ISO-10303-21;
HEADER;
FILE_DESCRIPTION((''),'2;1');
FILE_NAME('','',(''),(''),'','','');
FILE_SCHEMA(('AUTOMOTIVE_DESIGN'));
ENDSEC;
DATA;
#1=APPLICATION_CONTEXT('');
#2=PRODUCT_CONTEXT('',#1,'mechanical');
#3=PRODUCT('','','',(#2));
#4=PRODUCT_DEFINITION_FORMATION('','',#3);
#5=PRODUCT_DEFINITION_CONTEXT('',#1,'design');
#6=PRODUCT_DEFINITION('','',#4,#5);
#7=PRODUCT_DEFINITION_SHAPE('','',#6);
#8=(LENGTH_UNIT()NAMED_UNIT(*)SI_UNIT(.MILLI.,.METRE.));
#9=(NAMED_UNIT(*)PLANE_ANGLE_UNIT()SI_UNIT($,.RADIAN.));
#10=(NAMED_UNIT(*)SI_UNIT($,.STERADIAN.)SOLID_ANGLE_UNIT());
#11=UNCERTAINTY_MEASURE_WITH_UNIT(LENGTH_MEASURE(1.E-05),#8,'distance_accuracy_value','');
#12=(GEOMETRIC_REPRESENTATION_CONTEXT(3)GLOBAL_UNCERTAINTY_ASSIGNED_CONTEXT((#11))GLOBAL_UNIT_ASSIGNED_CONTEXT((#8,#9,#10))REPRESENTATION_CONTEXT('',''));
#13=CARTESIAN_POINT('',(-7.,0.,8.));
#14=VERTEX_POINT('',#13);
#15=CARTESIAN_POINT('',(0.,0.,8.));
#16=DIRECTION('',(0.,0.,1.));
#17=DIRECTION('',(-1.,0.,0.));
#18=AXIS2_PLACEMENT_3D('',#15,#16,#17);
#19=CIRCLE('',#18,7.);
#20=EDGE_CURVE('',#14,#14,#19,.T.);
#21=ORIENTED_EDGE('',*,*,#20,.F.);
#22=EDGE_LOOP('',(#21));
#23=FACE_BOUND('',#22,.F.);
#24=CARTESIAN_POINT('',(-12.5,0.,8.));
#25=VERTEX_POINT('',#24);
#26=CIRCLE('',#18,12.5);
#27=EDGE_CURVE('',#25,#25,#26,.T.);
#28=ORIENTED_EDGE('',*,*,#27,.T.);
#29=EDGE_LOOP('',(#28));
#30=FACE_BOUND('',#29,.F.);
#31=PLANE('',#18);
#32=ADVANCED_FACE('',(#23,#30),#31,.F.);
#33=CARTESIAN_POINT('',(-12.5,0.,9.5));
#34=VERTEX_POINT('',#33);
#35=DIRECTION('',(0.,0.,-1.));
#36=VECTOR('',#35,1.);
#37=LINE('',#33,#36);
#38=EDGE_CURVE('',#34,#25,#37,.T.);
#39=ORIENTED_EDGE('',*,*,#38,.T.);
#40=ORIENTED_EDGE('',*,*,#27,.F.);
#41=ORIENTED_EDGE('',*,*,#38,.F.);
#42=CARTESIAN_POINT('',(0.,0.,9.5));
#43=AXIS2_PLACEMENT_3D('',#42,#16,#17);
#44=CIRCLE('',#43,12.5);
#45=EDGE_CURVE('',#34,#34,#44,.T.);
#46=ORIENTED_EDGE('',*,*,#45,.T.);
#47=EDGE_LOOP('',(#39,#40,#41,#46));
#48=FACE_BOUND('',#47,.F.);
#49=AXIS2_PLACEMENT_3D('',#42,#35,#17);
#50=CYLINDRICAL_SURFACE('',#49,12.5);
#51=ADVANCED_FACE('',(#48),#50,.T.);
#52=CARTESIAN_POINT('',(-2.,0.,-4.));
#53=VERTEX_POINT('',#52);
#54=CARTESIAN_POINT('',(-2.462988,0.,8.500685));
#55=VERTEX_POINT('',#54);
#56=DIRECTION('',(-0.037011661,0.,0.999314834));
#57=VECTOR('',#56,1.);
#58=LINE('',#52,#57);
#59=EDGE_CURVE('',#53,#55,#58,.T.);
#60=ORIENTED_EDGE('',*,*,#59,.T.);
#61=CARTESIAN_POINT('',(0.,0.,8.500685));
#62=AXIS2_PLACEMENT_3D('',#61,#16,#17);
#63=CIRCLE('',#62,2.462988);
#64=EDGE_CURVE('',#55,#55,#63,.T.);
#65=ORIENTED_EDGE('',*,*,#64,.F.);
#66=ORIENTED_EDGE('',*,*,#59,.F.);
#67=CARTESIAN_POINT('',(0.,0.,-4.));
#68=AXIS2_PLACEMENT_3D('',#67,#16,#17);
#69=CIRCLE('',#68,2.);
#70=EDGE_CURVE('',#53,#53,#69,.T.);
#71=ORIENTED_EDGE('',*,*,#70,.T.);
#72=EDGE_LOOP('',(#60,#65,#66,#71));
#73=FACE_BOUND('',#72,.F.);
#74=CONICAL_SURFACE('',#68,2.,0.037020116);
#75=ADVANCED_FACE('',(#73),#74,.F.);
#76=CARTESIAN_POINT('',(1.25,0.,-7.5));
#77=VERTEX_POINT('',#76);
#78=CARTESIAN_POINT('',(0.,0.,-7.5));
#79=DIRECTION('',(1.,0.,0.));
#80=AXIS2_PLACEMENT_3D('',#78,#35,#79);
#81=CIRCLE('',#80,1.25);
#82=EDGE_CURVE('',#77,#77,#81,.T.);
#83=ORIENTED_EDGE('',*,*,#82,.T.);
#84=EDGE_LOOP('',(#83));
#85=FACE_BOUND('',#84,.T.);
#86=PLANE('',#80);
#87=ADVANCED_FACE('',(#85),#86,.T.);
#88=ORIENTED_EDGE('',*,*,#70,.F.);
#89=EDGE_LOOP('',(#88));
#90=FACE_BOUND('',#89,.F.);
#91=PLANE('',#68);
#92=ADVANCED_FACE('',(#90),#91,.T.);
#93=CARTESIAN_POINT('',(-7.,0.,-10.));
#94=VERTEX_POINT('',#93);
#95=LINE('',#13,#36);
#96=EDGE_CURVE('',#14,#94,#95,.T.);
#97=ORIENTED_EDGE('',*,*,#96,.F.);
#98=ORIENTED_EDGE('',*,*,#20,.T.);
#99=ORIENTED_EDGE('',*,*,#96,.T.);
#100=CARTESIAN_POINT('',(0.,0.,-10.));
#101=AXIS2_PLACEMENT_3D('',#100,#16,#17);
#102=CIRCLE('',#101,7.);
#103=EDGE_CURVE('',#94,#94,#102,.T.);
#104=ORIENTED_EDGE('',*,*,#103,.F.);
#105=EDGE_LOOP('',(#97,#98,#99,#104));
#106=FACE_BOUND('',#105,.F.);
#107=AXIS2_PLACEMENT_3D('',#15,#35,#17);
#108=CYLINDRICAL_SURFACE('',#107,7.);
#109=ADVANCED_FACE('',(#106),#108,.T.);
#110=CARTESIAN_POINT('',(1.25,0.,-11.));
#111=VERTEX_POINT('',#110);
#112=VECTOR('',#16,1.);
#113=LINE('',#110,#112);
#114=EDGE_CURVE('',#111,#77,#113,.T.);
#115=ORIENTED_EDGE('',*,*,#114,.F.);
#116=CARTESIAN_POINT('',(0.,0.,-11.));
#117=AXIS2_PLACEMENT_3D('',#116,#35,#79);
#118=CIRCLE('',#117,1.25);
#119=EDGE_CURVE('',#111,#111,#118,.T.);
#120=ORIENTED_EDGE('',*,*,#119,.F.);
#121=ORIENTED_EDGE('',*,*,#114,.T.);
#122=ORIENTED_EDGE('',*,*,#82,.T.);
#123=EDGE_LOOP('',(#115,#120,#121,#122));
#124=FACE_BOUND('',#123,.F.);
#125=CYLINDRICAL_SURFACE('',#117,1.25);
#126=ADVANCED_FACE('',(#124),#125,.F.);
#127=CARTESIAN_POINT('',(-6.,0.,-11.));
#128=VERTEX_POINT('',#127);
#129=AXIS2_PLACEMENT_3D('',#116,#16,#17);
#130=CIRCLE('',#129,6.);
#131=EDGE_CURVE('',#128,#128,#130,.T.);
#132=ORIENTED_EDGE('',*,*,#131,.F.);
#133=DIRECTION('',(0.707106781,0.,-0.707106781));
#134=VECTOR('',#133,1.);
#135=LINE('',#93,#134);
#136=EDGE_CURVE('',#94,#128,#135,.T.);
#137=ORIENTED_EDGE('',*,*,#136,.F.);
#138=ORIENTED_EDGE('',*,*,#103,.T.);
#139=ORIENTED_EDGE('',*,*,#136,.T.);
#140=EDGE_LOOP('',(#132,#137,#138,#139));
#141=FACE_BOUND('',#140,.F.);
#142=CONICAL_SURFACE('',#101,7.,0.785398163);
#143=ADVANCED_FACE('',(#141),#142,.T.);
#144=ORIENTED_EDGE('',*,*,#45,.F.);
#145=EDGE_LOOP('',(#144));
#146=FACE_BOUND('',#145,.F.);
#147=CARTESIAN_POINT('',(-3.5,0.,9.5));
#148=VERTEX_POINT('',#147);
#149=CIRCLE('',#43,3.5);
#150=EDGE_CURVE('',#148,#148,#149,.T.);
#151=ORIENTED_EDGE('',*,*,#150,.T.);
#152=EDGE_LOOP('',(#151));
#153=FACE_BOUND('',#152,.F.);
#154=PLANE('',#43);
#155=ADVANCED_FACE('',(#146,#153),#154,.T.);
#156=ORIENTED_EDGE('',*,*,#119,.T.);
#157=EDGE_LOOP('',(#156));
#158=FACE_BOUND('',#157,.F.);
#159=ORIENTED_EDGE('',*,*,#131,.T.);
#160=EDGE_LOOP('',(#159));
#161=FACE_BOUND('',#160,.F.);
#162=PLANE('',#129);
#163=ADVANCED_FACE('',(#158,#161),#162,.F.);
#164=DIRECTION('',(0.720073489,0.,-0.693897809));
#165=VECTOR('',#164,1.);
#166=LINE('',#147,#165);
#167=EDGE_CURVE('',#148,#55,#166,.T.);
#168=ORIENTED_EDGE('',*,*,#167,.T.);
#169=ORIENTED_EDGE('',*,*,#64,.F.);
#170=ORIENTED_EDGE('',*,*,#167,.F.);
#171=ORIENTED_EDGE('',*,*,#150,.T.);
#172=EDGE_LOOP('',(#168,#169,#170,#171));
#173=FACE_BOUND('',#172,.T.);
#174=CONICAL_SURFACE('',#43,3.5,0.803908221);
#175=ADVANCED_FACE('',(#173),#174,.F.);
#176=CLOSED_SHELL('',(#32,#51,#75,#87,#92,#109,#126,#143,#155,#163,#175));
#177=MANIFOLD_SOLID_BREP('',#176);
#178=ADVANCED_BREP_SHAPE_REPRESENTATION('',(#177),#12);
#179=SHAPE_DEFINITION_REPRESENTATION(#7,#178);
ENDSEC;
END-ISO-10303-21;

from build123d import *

# Parameters (mm, degrees)
CHAMFER_SIZE    = 1
CHAMFER001_SIZE = 1
SKETCH016_R     = 1.25
POCKET003_DEPTH = 3.5


with BuildPart() as part:
    # Sketch010 → Revolution (revolve)
    with BuildSketch(Plane.XZ):
        Polygon((-2.5, 9.5), (-12.5, 9.5), (-12.5, 8), (-7, 8), (-7, -11), (0, -11), (0, -4), (-2, -4), align=None)
    revolve(axis=Axis((0, 0, 0), (0, 0, 1)))

    # Chamfer
    chamfer_edges = [part.edges().sort_by_distance(p)[0] for p in [
        (2.5, 0, 9.5),
    ]]
    chamfer(chamfer_edges, length=CHAMFER_SIZE)

    # Chamfer001
    chamfer001_edges = [part.edges().sort_by_distance(p)[0] for p in [
        (7, 0, -11),
    ]]
    chamfer(chamfer001_edges, length=CHAMFER001_SIZE)

    # Sketch016 (on Face4 of Chamfer001) → Pocket003 (cut)
    with BuildSketch(Plane(origin=(0, 0, -11), x_dir=(1, 0, 0), z_dir=(0, 0, -1))):
        Circle(SKETCH016_R)
    extrude(amount=-POCKET003_DEPTH, mode=Mode.SUBTRACT)


solid = part.part
